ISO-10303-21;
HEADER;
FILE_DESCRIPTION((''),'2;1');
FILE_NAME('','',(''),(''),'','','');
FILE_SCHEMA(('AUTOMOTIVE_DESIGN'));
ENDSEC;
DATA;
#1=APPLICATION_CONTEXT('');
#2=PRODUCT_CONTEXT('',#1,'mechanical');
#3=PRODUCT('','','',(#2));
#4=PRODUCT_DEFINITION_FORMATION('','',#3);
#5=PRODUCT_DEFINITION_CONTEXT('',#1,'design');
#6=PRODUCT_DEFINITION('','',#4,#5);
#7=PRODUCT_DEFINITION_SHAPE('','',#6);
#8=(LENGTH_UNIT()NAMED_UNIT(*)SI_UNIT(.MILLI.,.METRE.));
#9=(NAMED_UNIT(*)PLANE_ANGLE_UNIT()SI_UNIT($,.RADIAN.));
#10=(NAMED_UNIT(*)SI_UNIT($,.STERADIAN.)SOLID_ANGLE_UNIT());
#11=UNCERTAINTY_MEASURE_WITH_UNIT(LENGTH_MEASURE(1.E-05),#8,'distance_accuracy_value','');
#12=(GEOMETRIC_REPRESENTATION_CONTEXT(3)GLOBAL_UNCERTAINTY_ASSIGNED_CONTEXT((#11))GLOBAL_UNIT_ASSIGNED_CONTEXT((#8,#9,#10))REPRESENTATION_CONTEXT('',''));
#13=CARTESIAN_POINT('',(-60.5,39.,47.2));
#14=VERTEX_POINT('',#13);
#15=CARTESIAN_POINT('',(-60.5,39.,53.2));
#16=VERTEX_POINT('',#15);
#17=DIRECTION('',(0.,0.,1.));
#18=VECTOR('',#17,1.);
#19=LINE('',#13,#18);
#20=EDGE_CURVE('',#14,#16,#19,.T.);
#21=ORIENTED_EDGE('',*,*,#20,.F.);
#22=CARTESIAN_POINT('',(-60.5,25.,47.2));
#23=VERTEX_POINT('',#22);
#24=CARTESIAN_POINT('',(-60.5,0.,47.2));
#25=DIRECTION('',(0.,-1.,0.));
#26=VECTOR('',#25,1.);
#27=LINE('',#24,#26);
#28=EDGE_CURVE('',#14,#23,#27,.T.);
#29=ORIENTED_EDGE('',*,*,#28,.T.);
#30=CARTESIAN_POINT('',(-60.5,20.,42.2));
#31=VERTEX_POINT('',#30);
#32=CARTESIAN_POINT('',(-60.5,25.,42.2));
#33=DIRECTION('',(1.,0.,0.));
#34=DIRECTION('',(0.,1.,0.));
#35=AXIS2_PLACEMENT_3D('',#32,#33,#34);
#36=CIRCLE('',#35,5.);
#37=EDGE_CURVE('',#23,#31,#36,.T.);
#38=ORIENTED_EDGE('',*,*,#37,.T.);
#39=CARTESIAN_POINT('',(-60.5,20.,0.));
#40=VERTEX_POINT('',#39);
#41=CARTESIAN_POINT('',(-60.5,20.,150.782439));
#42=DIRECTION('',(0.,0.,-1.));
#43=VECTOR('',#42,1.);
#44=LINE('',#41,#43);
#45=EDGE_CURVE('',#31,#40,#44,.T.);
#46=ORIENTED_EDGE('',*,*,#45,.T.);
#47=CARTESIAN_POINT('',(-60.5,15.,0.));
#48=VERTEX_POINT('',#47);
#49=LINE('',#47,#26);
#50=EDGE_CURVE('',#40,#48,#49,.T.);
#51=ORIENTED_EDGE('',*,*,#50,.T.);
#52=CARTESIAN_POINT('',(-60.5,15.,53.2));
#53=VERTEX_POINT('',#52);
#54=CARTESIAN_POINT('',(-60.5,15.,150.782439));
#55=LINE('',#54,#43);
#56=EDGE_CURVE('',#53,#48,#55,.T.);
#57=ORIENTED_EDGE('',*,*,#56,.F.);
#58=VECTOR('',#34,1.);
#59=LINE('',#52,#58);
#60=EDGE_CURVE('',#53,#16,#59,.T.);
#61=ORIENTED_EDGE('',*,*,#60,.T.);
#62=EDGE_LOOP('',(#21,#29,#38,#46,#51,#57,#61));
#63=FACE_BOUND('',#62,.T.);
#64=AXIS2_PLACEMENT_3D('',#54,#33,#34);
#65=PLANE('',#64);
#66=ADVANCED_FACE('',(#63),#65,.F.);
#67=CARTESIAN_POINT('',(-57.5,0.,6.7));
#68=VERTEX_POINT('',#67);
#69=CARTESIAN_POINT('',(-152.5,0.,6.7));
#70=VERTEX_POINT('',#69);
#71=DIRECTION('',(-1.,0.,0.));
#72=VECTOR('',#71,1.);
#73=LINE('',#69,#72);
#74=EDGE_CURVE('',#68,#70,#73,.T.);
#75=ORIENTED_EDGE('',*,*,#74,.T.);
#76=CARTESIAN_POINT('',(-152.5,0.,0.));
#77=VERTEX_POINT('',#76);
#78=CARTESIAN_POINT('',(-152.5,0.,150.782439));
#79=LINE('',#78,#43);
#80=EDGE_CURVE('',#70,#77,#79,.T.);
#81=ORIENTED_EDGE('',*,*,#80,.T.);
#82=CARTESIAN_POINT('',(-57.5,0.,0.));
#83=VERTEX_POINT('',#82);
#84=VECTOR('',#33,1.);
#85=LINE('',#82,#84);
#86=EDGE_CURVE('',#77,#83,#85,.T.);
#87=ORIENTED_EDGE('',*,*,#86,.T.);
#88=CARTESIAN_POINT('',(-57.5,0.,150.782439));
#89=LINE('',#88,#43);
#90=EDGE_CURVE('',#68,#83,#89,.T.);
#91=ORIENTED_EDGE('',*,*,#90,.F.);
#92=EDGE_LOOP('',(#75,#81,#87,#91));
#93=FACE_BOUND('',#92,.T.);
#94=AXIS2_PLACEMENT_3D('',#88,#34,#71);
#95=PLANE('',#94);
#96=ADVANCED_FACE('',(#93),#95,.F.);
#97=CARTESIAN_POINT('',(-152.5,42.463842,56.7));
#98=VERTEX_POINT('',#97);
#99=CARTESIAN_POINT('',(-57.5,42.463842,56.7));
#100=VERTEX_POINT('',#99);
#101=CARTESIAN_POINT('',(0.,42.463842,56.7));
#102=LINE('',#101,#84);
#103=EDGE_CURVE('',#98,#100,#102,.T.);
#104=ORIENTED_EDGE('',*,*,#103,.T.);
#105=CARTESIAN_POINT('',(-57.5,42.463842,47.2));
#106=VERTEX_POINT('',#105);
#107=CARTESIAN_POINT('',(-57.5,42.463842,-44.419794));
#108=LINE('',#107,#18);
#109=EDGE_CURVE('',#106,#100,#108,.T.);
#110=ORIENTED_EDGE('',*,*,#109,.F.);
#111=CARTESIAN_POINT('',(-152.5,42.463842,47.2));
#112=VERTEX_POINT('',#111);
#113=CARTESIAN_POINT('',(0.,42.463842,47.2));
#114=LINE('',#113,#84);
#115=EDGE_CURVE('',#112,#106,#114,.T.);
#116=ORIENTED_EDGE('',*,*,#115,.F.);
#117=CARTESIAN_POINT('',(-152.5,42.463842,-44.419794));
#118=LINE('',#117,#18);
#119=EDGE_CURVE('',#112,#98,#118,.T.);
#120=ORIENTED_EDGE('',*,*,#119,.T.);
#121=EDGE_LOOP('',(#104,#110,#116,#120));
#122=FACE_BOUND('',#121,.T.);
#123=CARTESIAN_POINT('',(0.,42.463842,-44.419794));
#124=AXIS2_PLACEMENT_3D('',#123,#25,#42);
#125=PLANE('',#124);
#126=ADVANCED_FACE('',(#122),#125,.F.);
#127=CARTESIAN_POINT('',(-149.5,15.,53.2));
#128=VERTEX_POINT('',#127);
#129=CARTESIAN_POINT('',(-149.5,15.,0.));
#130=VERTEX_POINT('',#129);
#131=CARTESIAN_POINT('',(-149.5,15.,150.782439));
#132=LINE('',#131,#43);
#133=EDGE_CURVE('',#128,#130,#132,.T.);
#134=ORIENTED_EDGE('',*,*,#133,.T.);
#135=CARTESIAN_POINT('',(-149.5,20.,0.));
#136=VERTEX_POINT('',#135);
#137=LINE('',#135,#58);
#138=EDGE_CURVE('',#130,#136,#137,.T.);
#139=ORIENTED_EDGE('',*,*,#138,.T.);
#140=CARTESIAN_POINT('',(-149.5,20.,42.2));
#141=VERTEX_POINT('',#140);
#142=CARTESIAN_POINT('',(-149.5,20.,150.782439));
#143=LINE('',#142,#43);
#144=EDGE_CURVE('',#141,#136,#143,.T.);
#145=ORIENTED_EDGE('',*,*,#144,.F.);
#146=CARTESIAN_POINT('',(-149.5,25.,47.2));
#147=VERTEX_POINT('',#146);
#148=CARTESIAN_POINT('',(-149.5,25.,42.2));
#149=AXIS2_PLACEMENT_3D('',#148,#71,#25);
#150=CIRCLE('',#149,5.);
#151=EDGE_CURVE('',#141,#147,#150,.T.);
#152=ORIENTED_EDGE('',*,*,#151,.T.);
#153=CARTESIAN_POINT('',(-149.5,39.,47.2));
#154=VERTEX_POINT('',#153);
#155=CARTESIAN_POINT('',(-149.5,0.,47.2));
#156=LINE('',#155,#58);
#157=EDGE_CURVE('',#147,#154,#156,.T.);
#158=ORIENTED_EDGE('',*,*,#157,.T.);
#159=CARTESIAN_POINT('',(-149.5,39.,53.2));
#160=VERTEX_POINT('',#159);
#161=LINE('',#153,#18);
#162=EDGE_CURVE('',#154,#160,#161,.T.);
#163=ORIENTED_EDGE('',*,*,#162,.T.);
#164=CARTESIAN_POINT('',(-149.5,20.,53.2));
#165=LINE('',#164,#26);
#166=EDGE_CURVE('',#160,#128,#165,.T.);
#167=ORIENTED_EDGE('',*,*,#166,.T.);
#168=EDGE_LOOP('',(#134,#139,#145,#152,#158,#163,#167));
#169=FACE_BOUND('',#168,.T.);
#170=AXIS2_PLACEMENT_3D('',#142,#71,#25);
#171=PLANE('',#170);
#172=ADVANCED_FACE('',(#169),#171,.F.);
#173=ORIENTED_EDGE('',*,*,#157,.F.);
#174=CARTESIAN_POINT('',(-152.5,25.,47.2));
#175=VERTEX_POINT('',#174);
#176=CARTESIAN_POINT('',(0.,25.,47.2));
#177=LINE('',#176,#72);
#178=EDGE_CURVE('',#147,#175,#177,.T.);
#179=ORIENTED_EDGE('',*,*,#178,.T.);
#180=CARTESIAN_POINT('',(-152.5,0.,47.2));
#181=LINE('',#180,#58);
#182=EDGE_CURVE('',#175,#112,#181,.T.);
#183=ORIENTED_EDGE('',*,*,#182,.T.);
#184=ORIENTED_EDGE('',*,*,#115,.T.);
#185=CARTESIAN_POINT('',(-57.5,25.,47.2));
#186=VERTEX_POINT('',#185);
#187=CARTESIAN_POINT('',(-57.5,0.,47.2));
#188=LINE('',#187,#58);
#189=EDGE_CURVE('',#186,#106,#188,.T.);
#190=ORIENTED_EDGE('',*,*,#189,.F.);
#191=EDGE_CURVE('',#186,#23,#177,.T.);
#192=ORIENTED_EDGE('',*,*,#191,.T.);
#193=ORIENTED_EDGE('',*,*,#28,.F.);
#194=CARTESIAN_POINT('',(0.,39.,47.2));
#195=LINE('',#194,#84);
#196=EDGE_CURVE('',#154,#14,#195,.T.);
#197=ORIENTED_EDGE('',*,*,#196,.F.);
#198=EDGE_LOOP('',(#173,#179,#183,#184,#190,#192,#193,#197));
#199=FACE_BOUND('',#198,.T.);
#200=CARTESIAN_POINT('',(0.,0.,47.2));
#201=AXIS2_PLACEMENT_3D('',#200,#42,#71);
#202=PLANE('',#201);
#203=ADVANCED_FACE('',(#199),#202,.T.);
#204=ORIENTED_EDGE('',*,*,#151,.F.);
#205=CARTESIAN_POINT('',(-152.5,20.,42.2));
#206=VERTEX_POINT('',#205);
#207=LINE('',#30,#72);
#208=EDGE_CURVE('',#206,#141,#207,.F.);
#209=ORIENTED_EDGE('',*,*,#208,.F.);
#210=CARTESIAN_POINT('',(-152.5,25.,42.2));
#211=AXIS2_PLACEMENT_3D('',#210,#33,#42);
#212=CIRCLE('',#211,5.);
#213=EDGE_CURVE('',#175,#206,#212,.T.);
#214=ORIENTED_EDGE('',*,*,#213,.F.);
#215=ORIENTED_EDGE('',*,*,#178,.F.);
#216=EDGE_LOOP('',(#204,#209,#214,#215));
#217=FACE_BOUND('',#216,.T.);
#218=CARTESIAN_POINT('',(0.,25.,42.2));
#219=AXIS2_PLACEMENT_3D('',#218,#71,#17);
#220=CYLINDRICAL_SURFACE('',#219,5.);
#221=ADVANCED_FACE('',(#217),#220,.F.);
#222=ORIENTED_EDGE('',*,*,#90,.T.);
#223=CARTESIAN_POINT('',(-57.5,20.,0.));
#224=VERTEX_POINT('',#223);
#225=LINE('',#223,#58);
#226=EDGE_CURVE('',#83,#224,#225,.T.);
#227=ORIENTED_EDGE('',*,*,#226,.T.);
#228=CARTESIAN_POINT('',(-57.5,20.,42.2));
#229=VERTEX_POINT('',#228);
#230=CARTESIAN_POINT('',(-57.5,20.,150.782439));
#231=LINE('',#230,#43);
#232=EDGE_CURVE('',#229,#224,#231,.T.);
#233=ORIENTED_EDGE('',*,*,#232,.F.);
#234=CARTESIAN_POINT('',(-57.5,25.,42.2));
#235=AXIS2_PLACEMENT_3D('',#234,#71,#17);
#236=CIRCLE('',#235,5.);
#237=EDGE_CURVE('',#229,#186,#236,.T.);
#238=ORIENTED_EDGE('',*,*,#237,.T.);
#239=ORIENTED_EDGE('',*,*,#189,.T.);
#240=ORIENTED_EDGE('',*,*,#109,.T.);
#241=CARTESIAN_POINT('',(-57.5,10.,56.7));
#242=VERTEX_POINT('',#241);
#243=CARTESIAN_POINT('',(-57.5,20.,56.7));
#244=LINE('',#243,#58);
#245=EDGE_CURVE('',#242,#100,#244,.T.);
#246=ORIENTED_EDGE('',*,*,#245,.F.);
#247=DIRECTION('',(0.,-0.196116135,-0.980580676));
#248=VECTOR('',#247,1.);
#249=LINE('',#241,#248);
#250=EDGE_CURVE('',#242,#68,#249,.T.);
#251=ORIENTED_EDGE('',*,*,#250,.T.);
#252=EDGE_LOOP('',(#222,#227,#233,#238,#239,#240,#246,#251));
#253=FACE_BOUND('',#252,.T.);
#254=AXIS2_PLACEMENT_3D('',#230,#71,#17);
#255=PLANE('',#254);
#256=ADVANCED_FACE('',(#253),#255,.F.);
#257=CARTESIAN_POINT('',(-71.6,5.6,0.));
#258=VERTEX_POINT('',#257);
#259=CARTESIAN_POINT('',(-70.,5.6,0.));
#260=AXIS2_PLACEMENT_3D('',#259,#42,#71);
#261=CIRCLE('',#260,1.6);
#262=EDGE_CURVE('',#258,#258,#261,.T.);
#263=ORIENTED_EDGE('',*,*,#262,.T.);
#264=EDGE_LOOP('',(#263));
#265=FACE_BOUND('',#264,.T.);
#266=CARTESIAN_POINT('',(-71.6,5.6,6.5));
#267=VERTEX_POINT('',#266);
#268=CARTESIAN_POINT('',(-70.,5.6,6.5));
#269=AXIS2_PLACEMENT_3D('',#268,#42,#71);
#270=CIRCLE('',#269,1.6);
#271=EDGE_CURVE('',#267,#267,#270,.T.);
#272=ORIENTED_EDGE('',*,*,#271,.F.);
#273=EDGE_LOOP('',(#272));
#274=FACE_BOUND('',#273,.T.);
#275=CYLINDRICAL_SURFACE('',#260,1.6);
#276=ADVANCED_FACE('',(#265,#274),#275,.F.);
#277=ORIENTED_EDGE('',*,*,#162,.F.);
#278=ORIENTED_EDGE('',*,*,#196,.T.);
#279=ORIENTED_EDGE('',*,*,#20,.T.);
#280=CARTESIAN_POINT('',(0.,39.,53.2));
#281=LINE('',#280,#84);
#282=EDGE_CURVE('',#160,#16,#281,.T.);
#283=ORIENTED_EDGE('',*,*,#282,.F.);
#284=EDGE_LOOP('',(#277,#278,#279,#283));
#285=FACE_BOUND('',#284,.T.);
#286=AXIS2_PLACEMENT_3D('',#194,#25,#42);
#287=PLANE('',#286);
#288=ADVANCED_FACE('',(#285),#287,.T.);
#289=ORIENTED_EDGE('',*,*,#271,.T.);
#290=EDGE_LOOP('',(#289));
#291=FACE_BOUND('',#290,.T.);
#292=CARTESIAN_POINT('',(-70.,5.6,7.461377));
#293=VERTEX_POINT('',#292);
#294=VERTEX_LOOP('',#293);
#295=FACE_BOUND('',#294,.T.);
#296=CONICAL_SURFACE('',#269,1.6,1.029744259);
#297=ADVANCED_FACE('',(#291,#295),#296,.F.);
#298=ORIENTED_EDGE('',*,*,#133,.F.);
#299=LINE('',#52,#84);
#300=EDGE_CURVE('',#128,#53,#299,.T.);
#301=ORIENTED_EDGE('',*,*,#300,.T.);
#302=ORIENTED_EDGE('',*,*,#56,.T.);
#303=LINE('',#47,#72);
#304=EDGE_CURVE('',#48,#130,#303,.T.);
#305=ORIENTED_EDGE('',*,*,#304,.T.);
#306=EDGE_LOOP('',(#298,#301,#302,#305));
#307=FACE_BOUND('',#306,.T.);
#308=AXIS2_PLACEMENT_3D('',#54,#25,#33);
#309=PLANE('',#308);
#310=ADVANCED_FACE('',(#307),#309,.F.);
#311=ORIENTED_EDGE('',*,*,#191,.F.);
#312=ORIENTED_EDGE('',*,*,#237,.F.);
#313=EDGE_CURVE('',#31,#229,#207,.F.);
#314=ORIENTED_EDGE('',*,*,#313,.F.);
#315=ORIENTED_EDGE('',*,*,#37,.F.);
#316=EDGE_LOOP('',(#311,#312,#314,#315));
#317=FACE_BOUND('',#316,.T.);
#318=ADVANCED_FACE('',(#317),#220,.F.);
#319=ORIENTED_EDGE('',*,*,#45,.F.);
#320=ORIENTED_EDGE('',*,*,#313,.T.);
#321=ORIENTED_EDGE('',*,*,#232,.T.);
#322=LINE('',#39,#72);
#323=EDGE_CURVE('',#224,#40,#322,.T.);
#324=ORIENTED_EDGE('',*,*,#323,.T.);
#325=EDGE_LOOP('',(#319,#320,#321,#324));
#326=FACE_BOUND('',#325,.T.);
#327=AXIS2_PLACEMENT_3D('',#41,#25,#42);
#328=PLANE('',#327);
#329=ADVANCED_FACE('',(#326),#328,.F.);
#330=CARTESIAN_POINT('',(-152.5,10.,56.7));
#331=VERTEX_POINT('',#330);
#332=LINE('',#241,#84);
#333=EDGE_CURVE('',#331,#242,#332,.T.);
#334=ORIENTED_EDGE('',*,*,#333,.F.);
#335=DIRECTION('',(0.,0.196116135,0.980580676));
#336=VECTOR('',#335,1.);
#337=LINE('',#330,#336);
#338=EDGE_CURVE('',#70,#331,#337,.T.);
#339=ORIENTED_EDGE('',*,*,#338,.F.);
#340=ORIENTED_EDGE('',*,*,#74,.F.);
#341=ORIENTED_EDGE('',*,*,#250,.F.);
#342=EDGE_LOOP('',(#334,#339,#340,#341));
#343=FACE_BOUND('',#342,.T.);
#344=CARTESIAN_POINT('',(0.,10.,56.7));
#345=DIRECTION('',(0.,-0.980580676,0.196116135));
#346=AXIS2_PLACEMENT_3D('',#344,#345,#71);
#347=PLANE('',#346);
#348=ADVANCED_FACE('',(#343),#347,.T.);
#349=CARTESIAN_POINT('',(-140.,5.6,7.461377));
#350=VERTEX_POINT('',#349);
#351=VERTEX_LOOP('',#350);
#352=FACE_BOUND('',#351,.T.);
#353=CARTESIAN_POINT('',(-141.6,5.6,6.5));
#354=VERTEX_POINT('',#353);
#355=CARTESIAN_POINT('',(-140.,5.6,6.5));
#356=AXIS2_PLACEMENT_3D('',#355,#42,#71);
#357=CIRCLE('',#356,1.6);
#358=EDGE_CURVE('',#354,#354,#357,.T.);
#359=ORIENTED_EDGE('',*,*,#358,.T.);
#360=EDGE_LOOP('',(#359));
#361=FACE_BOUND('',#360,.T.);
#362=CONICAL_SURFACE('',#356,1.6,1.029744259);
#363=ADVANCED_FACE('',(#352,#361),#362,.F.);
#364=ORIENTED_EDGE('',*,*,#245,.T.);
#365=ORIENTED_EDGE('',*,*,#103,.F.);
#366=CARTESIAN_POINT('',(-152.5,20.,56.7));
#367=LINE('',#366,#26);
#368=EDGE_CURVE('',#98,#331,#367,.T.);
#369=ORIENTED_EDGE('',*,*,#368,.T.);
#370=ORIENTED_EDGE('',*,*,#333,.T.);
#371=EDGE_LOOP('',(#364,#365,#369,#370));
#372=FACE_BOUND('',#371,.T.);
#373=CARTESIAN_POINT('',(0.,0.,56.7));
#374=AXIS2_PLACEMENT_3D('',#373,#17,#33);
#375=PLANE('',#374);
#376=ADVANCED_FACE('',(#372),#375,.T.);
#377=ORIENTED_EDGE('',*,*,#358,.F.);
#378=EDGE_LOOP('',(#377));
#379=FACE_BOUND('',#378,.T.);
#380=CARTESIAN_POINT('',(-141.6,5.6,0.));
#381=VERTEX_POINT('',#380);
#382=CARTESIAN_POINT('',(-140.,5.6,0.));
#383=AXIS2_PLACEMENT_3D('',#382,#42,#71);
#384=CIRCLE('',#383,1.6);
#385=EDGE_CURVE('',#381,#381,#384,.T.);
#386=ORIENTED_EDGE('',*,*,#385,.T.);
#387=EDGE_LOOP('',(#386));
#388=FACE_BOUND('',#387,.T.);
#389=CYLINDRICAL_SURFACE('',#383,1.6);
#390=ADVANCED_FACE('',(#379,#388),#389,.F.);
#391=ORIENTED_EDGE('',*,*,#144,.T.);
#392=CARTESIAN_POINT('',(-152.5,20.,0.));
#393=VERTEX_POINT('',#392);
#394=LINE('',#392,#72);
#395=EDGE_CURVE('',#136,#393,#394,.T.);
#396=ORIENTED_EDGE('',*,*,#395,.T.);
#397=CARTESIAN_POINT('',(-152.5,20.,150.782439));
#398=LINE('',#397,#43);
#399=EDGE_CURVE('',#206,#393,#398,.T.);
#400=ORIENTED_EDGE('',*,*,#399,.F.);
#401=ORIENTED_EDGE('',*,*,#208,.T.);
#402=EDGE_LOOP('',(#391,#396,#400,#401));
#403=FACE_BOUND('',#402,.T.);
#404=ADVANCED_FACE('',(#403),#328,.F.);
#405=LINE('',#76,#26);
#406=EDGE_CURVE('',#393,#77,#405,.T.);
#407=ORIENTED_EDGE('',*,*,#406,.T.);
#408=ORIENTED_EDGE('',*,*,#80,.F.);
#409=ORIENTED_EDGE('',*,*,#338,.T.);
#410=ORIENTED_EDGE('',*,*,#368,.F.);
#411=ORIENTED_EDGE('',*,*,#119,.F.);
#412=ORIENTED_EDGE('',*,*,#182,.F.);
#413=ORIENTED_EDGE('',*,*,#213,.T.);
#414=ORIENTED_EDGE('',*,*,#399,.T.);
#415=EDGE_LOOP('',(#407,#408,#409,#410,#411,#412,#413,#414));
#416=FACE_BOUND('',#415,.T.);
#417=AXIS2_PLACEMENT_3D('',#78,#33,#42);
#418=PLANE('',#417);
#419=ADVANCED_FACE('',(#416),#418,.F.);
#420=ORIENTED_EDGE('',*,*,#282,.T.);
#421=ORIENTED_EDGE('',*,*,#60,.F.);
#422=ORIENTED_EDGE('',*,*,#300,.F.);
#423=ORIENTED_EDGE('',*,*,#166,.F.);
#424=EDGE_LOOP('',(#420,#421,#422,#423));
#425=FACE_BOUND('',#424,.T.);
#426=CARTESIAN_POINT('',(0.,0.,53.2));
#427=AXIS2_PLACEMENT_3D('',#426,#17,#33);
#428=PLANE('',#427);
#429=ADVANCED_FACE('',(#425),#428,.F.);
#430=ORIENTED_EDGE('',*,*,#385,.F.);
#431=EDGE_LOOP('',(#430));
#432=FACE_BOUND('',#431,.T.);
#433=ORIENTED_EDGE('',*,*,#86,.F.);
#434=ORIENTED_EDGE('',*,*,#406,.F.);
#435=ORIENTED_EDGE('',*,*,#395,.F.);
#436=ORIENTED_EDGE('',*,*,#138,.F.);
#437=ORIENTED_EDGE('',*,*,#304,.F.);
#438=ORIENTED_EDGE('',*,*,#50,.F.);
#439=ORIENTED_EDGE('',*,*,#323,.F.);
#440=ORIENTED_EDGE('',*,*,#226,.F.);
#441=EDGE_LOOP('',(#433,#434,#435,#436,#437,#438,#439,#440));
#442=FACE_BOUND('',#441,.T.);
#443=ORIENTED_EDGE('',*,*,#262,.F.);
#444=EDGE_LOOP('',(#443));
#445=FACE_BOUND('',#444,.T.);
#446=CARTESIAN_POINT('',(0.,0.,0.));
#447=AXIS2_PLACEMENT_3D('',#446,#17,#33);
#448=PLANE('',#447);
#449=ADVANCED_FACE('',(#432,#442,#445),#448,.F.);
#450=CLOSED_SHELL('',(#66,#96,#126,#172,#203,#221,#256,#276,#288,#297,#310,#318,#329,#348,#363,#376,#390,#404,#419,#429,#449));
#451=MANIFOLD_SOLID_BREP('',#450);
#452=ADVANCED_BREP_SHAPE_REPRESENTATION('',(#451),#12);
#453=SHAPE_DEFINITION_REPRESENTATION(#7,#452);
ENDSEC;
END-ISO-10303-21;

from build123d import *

# Parameters (mm, degrees)
BOSS_EXTRUDE1_DEPTH       = 53.2
SKETCH2_W                 = 95
SKETCH2_H                 = 20
BOSS_EXTRUDE2_DEPTH       = 3.5
CHAMFER1_SIZE             = 50
CHAMFER1_SIZE2            = 10
SKETCH3_W                 = 89
SKETCH3_H                 = 19
BOSS_EXTRUDE3_DEPTH       = 3.5
BOSS_EXTRUDE4_START       = -3.5
BOSS_EXTRUDE4_DEPTH       = 6
FILLET1_R                 = 5
F_2_5MM_DOWEL_HOLE1_D     = 3.2
F_2_5MM_DOWEL_HOLE1_DEPTH = 6.5
F_2_5MM_DOWEL_HOLE1_TIP   = 0.96137699


with BuildPart() as part:
    # Sketch1 → Boss-Extrude1 (new body)
    with BuildSketch(Plane.XY):
        Polygon((-60.5, 15), (-60.5, 20), (-57.5, 20), (-57.5, 0), (-152.5, 0), (-152.5, 20), (-149.5, 20), (-149.5, 15), align=None)
    extrude(amount=BOSS_EXTRUDE1_DEPTH)

    # Sketch2 → Boss-Extrude2 (add)
    with BuildSketch(Plane.XY.offset(53.2)):
        with Locations((-105, 10)):
            Rectangle(SKETCH2_W, SKETCH2_H)
    extrude(amount=BOSS_EXTRUDE2_DEPTH)

    # Chamfer1
    chamfer1_edges = [part.edges().sort_by_distance(p)[0] for p in [
        (-105, 0, 56.7),
    ]]
    chamfer1_side = [part.faces().sort_by_distance(p)[0] for p in [
        (-105, 0, 28.35),
    ]]
    chamfer(chamfer1_edges, length=CHAMFER1_SIZE, length2=CHAMFER1_SIZE2, reference=chamfer1_side[0])

    # Sketch3 → Boss-Extrude3 (add)
    with BuildSketch(Plane.XY.offset(56.7)):
        with Locations((-105, 29.5)):
            Rectangle(SKETCH3_W, SKETCH3_H)
        Polygon((-152.5, 42.463842296), (-152.5, 20), (-149.5, 20), (-149.5, 39), (-60.5, 39), (-60.5, 20), (-57.5, 20), (-57.5, 42.463842296), align=None)
    extrude(amount=-BOSS_EXTRUDE3_DEPTH)

    # Sketch3<3> → Boss-Extrude4 (add)
    with BuildSketch(Plane.XY.offset(56.7).offset(BOSS_EXTRUDE4_START)):
        Polygon((-152.5, 42.463842296), (-152.5, 20), (-149.5, 20), (-149.5, 39), (-60.5, 39), (-60.5, 20), (-57.5, 20), (-57.5, 42.463842296), align=None)
    extrude(amount=-BOSS_EXTRUDE4_DEPTH)

    # Fillet1
    fillet1_edges = [part.edges().sort_by_distance(p)[0] for p in [
        (-151, 20, 47.2),
        (-59, 20, 47.2),
    ]]
    fillet(fillet1_edges, radius=FILLET1_R)

    # Ø2.5mm Dowel Hole1
    with Locations(Plane(origin=(0, 0, 0), x_dir=(-1, 0, 0), z_dir=(0, 0, -1))):
        with Locations((70, 5.6), (140, 5.6)):
            Hole(F_2_5MM_DOWEL_HOLE1_D / 2, depth=F_2_5MM_DOWEL_HOLE1_DEPTH)
            with Locations((0, 0, -(F_2_5MM_DOWEL_HOLE1_DEPTH + F_2_5MM_DOWEL_HOLE1_TIP / 2))):  # 118° drill point
                Cone(0, F_2_5MM_DOWEL_HOLE1_D / 2, F_2_5MM_DOWEL_HOLE1_TIP, mode=Mode.SUBTRACT)


solid = part.part
